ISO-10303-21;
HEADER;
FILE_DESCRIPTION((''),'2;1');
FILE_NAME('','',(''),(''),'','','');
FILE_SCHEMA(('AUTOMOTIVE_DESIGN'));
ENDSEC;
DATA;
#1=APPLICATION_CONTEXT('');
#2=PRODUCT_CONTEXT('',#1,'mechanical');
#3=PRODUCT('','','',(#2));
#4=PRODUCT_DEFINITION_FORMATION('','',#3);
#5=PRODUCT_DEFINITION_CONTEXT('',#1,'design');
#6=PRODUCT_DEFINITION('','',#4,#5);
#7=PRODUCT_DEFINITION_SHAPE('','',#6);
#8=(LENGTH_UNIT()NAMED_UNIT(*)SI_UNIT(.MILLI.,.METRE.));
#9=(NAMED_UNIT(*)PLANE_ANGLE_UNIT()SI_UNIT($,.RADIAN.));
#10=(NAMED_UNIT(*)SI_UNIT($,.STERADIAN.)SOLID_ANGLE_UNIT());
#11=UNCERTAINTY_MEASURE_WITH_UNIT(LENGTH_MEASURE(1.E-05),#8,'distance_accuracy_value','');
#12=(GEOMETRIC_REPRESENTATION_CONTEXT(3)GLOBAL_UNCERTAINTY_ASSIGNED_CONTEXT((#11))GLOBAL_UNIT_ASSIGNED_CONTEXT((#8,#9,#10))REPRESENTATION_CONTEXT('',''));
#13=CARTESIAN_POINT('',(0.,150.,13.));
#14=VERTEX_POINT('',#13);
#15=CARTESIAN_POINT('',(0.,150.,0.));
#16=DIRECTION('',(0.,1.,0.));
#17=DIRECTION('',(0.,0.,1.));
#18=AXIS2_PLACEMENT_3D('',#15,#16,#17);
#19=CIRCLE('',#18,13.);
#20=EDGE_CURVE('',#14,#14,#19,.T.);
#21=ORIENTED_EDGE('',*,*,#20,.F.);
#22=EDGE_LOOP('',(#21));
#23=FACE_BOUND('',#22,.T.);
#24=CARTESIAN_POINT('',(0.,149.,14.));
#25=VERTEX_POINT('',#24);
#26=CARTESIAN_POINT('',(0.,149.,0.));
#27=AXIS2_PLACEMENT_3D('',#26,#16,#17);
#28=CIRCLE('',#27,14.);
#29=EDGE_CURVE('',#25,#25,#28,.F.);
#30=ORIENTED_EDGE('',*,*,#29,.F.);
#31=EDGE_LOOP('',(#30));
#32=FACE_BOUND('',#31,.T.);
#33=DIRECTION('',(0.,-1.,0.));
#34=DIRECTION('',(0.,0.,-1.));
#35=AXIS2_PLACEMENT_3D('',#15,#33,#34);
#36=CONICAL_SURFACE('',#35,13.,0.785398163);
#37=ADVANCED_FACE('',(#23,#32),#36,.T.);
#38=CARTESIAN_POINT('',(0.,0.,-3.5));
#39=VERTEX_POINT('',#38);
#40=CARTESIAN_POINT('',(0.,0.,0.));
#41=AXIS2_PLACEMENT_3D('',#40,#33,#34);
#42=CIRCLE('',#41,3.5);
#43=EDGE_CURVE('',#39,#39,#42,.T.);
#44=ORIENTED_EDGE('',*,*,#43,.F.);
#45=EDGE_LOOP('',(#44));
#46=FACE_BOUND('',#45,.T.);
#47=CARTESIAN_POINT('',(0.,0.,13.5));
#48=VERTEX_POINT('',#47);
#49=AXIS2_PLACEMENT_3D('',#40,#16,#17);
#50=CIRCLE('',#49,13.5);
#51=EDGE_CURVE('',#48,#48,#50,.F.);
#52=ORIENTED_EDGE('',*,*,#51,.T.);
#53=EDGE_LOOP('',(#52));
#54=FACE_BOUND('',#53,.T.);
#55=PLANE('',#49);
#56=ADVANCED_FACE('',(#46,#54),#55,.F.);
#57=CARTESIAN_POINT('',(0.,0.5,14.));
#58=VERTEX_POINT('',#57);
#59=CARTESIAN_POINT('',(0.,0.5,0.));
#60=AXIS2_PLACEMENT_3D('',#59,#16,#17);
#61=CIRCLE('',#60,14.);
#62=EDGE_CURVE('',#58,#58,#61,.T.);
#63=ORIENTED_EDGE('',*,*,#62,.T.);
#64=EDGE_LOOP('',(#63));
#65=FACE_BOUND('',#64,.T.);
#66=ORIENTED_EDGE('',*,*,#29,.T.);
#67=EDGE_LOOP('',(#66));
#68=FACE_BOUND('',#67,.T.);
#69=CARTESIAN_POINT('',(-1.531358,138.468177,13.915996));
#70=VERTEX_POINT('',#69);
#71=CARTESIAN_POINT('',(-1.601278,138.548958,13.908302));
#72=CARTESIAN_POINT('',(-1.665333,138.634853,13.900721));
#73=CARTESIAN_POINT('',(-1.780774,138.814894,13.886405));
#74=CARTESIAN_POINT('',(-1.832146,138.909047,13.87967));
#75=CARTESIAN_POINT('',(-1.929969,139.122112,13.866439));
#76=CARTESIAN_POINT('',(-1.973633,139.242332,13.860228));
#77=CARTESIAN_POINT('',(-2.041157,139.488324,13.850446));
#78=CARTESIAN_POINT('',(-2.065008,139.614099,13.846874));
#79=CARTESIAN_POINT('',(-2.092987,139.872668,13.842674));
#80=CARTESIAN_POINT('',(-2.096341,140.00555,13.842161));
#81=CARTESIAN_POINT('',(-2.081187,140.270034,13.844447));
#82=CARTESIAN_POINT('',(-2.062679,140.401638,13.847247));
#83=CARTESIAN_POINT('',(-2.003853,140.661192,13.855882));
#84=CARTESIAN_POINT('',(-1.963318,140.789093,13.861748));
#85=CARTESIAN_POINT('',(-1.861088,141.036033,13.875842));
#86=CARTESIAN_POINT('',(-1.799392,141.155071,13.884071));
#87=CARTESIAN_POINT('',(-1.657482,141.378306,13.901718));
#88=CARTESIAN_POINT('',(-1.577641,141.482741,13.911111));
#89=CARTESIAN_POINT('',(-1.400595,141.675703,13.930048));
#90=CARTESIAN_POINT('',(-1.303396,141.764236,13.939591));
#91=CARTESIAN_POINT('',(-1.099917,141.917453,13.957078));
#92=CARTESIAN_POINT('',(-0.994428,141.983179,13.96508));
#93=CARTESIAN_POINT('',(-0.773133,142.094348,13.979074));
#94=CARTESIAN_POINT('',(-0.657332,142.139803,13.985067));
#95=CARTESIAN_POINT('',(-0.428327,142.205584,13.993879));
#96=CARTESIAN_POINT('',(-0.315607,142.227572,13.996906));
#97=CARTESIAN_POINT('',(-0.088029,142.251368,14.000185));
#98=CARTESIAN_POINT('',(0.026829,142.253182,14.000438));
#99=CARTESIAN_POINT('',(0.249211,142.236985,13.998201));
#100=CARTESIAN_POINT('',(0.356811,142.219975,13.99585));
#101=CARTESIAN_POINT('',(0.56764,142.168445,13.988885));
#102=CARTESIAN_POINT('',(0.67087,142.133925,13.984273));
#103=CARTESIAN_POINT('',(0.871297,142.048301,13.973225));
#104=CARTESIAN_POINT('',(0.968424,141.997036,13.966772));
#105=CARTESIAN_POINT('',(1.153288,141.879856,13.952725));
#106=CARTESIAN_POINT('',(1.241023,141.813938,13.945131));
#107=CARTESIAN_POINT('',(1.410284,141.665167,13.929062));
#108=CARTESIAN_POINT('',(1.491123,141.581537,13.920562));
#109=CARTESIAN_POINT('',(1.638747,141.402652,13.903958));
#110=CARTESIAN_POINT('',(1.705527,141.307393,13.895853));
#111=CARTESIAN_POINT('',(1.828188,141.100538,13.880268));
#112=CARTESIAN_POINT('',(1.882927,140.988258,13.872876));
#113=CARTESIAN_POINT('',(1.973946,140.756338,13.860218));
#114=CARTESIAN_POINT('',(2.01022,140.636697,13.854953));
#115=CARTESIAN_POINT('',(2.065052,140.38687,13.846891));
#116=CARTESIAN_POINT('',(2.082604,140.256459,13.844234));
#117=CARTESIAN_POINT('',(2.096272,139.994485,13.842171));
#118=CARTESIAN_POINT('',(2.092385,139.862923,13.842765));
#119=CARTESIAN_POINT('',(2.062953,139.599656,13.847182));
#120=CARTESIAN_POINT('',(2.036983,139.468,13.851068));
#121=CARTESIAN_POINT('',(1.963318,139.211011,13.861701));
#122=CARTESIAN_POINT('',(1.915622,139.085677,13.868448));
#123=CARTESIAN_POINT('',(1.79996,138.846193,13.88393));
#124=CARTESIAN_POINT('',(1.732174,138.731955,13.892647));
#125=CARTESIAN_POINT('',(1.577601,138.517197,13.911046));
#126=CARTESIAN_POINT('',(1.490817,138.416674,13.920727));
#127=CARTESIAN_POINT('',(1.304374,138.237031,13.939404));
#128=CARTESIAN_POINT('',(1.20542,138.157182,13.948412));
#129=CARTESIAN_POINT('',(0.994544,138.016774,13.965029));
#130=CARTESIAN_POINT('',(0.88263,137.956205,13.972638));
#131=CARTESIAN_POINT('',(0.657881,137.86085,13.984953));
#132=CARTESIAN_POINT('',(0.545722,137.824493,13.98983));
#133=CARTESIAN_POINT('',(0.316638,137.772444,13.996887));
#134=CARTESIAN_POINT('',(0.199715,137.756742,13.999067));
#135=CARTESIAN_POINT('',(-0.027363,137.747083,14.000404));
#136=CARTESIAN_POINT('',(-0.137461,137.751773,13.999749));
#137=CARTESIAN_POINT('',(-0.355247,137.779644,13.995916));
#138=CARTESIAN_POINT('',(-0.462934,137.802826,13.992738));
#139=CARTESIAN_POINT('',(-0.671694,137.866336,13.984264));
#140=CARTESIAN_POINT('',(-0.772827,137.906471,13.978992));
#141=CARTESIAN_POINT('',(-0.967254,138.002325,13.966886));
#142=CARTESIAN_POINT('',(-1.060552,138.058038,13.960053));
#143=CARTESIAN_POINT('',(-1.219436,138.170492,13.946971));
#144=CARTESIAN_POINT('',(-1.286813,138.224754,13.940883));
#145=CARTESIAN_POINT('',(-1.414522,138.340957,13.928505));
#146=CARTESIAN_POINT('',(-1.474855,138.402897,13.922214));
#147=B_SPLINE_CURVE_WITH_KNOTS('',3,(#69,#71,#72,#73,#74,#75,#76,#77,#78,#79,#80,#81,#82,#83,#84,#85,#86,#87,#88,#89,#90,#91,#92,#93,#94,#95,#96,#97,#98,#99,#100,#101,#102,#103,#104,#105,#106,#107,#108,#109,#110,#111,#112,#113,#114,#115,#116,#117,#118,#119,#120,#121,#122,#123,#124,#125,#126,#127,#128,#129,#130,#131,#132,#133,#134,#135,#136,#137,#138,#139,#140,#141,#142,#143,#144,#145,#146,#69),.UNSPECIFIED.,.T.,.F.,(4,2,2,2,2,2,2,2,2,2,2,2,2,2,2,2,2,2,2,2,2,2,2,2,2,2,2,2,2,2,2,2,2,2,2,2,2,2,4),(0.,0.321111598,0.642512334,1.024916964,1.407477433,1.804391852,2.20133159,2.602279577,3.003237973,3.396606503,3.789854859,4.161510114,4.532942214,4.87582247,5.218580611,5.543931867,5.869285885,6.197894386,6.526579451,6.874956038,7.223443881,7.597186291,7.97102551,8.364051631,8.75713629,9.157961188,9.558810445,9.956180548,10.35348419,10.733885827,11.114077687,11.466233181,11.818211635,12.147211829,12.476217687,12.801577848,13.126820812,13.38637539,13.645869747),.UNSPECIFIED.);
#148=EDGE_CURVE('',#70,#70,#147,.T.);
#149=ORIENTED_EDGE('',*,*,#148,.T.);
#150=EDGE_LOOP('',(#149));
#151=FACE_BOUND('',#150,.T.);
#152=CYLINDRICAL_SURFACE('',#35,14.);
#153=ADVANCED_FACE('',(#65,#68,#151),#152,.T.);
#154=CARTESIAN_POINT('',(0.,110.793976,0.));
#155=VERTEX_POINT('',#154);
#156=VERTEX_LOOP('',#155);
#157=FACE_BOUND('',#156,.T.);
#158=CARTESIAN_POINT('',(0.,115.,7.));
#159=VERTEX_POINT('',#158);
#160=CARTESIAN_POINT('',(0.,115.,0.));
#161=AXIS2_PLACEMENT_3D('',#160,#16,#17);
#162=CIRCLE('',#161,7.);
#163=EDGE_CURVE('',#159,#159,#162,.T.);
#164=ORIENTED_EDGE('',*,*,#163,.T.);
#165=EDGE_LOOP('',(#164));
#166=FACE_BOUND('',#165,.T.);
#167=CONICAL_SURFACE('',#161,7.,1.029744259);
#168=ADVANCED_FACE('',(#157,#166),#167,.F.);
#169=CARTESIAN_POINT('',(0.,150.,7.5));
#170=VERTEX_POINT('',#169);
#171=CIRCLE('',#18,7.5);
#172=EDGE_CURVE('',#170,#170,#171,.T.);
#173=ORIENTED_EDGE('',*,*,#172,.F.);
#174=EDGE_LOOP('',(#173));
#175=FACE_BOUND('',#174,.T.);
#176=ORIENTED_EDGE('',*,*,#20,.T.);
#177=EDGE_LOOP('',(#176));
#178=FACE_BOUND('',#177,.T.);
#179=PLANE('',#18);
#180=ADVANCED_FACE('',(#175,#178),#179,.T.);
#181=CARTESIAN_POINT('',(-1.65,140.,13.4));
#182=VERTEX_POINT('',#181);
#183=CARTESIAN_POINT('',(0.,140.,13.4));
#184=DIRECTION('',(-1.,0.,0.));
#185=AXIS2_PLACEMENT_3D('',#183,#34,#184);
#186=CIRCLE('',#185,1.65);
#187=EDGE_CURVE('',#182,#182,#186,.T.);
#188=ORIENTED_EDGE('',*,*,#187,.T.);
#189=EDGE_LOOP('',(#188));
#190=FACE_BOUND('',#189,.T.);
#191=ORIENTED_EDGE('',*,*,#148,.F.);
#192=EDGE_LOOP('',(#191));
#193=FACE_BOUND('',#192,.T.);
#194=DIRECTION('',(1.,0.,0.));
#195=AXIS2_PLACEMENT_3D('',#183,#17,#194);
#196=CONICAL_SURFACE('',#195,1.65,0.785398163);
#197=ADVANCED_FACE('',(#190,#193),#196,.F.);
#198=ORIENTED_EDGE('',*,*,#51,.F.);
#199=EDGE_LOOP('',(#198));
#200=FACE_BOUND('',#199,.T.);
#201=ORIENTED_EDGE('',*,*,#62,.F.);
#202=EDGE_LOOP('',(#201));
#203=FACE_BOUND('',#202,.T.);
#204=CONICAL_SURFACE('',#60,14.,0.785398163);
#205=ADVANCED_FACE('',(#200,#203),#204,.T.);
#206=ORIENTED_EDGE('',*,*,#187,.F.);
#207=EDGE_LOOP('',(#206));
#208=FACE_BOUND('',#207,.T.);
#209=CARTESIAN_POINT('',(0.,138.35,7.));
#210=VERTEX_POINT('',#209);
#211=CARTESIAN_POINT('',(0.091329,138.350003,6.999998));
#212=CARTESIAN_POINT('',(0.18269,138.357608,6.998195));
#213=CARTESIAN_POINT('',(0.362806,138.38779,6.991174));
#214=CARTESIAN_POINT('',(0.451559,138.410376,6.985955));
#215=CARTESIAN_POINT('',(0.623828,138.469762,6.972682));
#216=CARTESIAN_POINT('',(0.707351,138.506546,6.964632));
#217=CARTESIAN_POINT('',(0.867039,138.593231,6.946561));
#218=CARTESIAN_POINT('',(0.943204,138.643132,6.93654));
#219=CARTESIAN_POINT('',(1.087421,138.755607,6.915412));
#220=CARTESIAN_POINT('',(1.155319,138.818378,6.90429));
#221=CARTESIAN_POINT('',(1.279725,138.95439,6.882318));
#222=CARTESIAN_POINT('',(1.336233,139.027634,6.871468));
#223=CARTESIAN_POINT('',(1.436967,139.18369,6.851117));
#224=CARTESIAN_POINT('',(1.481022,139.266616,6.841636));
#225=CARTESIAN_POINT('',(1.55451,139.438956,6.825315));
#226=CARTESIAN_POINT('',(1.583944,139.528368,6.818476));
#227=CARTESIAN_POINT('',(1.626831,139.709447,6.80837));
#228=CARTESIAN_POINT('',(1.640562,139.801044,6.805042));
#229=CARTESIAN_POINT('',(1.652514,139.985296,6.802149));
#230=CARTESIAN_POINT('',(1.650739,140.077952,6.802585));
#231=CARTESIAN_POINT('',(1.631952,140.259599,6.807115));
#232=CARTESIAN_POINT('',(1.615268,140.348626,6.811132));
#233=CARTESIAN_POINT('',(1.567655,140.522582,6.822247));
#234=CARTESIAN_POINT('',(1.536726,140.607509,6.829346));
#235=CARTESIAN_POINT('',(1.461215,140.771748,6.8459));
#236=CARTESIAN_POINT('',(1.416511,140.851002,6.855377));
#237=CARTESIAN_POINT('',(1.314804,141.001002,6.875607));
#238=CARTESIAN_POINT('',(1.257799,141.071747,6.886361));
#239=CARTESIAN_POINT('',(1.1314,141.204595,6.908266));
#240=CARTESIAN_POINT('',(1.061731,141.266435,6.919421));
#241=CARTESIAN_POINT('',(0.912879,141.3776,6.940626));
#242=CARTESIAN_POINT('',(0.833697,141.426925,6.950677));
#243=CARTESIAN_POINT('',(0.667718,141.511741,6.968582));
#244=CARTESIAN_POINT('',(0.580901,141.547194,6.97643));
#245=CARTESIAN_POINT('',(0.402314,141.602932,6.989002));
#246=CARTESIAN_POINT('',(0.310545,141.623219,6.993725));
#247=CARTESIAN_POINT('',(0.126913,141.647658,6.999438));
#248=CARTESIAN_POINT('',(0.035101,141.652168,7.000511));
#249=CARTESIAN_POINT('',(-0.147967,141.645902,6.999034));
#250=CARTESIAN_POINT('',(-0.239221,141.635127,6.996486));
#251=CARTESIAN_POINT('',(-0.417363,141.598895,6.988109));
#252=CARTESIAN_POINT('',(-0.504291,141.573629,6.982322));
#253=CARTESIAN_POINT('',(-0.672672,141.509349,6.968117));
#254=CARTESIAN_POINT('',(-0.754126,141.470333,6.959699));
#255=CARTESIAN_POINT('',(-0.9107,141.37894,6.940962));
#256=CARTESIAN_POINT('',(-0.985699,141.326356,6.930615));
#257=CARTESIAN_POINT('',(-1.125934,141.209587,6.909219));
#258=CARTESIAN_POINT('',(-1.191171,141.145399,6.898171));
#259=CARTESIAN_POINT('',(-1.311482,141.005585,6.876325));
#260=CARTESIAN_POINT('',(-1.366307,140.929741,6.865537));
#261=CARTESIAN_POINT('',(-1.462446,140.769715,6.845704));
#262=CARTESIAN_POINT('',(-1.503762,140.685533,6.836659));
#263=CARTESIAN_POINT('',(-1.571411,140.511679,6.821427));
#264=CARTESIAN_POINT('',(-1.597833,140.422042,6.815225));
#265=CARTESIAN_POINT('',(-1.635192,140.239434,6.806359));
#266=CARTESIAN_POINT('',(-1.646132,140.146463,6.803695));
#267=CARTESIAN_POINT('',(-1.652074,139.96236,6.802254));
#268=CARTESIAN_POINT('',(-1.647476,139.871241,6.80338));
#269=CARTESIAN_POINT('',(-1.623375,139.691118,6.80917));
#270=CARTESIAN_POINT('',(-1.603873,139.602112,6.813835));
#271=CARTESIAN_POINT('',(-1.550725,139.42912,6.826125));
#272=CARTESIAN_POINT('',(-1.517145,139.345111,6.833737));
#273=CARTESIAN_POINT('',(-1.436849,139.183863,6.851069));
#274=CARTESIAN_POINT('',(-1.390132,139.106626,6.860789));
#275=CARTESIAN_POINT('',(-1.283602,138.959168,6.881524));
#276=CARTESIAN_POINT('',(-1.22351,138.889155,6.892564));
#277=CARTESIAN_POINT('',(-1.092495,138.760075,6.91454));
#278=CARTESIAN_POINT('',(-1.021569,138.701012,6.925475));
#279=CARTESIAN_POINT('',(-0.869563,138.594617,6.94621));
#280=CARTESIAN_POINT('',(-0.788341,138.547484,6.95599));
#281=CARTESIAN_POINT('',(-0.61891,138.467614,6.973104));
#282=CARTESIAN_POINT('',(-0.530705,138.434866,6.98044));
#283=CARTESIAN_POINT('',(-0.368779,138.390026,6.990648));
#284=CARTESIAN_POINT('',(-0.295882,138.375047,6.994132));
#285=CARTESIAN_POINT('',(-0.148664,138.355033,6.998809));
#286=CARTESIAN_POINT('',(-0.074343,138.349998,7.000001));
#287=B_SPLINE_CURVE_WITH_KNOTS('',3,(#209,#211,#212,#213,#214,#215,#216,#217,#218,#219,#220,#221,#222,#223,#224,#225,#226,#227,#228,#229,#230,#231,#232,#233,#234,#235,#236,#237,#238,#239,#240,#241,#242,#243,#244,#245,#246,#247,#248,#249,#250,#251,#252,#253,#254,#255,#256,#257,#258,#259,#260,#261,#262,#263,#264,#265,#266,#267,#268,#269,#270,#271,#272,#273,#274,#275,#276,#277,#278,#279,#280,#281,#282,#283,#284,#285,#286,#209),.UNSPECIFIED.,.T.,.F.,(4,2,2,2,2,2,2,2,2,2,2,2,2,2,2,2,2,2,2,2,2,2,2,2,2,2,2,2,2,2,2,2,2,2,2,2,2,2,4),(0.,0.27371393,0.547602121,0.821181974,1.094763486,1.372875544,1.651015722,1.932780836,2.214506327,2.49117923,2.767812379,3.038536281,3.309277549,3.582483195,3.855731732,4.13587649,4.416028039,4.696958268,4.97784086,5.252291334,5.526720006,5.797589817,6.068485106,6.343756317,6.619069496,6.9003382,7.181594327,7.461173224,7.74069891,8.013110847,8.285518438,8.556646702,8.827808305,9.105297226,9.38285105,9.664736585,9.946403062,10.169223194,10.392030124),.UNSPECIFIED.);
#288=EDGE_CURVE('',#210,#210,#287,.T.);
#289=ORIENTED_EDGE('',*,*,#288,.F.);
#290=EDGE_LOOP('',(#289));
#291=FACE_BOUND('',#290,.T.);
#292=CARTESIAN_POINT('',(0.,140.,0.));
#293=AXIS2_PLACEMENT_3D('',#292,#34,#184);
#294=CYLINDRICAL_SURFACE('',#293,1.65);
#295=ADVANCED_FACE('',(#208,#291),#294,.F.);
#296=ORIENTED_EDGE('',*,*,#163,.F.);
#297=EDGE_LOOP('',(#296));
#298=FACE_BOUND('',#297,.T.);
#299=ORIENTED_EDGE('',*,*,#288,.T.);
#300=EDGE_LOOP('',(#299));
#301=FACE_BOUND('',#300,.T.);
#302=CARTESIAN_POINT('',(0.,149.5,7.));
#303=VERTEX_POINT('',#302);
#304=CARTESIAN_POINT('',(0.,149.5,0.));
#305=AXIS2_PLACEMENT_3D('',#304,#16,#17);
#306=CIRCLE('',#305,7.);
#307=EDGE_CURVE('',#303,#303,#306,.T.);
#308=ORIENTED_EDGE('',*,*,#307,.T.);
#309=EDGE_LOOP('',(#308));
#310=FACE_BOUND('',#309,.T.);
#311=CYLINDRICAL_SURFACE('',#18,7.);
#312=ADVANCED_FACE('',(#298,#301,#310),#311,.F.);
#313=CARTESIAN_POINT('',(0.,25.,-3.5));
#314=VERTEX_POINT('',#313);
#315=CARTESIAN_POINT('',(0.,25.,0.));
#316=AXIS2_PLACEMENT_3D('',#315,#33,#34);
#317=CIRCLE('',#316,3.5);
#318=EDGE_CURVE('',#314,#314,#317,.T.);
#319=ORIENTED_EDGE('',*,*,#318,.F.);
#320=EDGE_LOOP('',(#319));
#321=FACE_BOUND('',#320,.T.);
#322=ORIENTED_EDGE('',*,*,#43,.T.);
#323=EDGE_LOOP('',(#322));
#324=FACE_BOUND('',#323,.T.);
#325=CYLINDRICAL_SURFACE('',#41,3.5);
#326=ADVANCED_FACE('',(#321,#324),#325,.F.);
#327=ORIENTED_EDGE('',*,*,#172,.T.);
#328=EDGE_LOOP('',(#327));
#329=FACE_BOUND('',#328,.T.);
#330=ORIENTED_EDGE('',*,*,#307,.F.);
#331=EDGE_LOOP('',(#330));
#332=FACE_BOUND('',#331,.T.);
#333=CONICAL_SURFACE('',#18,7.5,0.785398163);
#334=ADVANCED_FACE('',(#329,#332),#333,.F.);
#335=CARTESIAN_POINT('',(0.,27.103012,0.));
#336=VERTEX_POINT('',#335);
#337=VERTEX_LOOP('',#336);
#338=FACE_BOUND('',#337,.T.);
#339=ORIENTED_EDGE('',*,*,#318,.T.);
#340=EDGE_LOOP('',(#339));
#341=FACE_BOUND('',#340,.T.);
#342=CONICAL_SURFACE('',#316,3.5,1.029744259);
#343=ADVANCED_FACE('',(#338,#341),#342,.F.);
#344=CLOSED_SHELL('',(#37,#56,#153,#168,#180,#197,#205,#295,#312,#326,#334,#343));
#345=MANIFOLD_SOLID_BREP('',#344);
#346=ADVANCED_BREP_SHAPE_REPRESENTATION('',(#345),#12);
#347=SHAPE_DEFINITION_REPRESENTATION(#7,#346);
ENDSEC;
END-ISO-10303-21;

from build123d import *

# Parameters (mm, degrees)
ESQUISSE1_R                               = 14
BOSS_EXTRU_1_DEPTH                        = 150
CHANFREIN1_SIZE                           = 1
DIAM_TRE_DU_PER_AGE_14_0_14_1_D           = 14
DIAM_TRE_DU_PER_AGE_14_0_14_1_DEPTH       = 35
DIAM_TRE_DU_PER_AGE_14_0_14_1_CSINK_D     = 15
DIAM_TRE_DU_PER_AGE_14_0_14_1_CSINK_ANGLE = 90
DIAM_TRE_DU_PER_AGE_14_0_14_1_TIP         = 4.206024333
CHANFREIN2_SIZE                           = 0.5
TROU_TARAUD_M8X1_01_D                     = 7
TROU_TARAUD_M8X1_01_DEPTH                 = 25
TROU_TARAUD_M8X1_01_TIP                   = 2.103012167


with BuildPart() as part:
    # Esquisse1 → Boss.-Extru.1 (new body)
    with BuildSketch(Plane(origin=(0, 0, 0), x_dir=(1, 0, 0), z_dir=(0, 1, 0))):
        with Locations(Location((0, 0, 0), (0, 0, 270))):  # turned: the seam where the file's is
            Circle(ESQUISSE1_R)
    extrude(amount=BOSS_EXTRU_1_DEPTH)

    # Chanfrein1
    chanfrein1_edges = [part.edges().sort_by_distance(p)[0] for p in [
        (0, 150, -14),
    ]]
    chamfer(chanfrein1_edges, length=CHANFREIN1_SIZE)

    # Diamètre du perçage Ø14.0 (14)1
    with Locations(Plane(origin=(0, 150, 0), x_dir=(-1, 0, 0), z_dir=(0, 1, 0))):
        with Locations((0, 0)):
            CounterSinkHole(DIAM_TRE_DU_PER_AGE_14_0_14_1_D / 2, DIAM_TRE_DU_PER_AGE_14_0_14_1_CSINK_D / 2, depth=DIAM_TRE_DU_PER_AGE_14_0_14_1_DEPTH, counter_sink_angle=DIAM_TRE_DU_PER_AGE_14_0_14_1_CSINK_ANGLE)
            with Locations((0, 0, -(DIAM_TRE_DU_PER_AGE_14_0_14_1_DEPTH + DIAM_TRE_DU_PER_AGE_14_0_14_1_TIP / 2))):  # 118° drill point
                Cone(0, DIAM_TRE_DU_PER_AGE_14_0_14_1_D / 2, DIAM_TRE_DU_PER_AGE_14_0_14_1_TIP, mode=Mode.SUBTRACT)

    # Chanfrein2
    chanfrein2_edges = [part.edges().sort_by_distance(p)[0] for p in [
        (0, 0, -14),
    ]]
    chamfer(chanfrein2_edges, length=CHANFREIN2_SIZE)

    # Trou taraudé M8x1.01
    with Locations(Plane.XZ):
        with Locations((0, 0)):
            Hole(TROU_TARAUD_M8X1_01_D / 2, depth=TROU_TARAUD_M8X1_01_DEPTH)
            with Locations((0, 0, -(TROU_TARAUD_M8X1_01_DEPTH + TROU_TARAUD_M8X1_01_TIP / 2))):  # 118° drill point
                Cone(0, TROU_TARAUD_M8X1_01_D / 2, TROU_TARAUD_M8X1_01_TIP, mode=Mode.SUBTRACT)

    # Esquisse11 → Trou taraudé M42 (revolve, cut)
    with BuildSketch(Plane(origin=(0, 140, 0), x_dir=(0, 1, 0), z_dir=(1, 0, 0))):
        Polygon((0, 0), (0, 14), (2.25, 14), (1.65, 13.4), (1.65, 0), align=None)
    revolve(axis=Axis((0, 140, -6.35), (0, 0, 1)), mode=Mode.SUBTRACT)


solid = part.part
